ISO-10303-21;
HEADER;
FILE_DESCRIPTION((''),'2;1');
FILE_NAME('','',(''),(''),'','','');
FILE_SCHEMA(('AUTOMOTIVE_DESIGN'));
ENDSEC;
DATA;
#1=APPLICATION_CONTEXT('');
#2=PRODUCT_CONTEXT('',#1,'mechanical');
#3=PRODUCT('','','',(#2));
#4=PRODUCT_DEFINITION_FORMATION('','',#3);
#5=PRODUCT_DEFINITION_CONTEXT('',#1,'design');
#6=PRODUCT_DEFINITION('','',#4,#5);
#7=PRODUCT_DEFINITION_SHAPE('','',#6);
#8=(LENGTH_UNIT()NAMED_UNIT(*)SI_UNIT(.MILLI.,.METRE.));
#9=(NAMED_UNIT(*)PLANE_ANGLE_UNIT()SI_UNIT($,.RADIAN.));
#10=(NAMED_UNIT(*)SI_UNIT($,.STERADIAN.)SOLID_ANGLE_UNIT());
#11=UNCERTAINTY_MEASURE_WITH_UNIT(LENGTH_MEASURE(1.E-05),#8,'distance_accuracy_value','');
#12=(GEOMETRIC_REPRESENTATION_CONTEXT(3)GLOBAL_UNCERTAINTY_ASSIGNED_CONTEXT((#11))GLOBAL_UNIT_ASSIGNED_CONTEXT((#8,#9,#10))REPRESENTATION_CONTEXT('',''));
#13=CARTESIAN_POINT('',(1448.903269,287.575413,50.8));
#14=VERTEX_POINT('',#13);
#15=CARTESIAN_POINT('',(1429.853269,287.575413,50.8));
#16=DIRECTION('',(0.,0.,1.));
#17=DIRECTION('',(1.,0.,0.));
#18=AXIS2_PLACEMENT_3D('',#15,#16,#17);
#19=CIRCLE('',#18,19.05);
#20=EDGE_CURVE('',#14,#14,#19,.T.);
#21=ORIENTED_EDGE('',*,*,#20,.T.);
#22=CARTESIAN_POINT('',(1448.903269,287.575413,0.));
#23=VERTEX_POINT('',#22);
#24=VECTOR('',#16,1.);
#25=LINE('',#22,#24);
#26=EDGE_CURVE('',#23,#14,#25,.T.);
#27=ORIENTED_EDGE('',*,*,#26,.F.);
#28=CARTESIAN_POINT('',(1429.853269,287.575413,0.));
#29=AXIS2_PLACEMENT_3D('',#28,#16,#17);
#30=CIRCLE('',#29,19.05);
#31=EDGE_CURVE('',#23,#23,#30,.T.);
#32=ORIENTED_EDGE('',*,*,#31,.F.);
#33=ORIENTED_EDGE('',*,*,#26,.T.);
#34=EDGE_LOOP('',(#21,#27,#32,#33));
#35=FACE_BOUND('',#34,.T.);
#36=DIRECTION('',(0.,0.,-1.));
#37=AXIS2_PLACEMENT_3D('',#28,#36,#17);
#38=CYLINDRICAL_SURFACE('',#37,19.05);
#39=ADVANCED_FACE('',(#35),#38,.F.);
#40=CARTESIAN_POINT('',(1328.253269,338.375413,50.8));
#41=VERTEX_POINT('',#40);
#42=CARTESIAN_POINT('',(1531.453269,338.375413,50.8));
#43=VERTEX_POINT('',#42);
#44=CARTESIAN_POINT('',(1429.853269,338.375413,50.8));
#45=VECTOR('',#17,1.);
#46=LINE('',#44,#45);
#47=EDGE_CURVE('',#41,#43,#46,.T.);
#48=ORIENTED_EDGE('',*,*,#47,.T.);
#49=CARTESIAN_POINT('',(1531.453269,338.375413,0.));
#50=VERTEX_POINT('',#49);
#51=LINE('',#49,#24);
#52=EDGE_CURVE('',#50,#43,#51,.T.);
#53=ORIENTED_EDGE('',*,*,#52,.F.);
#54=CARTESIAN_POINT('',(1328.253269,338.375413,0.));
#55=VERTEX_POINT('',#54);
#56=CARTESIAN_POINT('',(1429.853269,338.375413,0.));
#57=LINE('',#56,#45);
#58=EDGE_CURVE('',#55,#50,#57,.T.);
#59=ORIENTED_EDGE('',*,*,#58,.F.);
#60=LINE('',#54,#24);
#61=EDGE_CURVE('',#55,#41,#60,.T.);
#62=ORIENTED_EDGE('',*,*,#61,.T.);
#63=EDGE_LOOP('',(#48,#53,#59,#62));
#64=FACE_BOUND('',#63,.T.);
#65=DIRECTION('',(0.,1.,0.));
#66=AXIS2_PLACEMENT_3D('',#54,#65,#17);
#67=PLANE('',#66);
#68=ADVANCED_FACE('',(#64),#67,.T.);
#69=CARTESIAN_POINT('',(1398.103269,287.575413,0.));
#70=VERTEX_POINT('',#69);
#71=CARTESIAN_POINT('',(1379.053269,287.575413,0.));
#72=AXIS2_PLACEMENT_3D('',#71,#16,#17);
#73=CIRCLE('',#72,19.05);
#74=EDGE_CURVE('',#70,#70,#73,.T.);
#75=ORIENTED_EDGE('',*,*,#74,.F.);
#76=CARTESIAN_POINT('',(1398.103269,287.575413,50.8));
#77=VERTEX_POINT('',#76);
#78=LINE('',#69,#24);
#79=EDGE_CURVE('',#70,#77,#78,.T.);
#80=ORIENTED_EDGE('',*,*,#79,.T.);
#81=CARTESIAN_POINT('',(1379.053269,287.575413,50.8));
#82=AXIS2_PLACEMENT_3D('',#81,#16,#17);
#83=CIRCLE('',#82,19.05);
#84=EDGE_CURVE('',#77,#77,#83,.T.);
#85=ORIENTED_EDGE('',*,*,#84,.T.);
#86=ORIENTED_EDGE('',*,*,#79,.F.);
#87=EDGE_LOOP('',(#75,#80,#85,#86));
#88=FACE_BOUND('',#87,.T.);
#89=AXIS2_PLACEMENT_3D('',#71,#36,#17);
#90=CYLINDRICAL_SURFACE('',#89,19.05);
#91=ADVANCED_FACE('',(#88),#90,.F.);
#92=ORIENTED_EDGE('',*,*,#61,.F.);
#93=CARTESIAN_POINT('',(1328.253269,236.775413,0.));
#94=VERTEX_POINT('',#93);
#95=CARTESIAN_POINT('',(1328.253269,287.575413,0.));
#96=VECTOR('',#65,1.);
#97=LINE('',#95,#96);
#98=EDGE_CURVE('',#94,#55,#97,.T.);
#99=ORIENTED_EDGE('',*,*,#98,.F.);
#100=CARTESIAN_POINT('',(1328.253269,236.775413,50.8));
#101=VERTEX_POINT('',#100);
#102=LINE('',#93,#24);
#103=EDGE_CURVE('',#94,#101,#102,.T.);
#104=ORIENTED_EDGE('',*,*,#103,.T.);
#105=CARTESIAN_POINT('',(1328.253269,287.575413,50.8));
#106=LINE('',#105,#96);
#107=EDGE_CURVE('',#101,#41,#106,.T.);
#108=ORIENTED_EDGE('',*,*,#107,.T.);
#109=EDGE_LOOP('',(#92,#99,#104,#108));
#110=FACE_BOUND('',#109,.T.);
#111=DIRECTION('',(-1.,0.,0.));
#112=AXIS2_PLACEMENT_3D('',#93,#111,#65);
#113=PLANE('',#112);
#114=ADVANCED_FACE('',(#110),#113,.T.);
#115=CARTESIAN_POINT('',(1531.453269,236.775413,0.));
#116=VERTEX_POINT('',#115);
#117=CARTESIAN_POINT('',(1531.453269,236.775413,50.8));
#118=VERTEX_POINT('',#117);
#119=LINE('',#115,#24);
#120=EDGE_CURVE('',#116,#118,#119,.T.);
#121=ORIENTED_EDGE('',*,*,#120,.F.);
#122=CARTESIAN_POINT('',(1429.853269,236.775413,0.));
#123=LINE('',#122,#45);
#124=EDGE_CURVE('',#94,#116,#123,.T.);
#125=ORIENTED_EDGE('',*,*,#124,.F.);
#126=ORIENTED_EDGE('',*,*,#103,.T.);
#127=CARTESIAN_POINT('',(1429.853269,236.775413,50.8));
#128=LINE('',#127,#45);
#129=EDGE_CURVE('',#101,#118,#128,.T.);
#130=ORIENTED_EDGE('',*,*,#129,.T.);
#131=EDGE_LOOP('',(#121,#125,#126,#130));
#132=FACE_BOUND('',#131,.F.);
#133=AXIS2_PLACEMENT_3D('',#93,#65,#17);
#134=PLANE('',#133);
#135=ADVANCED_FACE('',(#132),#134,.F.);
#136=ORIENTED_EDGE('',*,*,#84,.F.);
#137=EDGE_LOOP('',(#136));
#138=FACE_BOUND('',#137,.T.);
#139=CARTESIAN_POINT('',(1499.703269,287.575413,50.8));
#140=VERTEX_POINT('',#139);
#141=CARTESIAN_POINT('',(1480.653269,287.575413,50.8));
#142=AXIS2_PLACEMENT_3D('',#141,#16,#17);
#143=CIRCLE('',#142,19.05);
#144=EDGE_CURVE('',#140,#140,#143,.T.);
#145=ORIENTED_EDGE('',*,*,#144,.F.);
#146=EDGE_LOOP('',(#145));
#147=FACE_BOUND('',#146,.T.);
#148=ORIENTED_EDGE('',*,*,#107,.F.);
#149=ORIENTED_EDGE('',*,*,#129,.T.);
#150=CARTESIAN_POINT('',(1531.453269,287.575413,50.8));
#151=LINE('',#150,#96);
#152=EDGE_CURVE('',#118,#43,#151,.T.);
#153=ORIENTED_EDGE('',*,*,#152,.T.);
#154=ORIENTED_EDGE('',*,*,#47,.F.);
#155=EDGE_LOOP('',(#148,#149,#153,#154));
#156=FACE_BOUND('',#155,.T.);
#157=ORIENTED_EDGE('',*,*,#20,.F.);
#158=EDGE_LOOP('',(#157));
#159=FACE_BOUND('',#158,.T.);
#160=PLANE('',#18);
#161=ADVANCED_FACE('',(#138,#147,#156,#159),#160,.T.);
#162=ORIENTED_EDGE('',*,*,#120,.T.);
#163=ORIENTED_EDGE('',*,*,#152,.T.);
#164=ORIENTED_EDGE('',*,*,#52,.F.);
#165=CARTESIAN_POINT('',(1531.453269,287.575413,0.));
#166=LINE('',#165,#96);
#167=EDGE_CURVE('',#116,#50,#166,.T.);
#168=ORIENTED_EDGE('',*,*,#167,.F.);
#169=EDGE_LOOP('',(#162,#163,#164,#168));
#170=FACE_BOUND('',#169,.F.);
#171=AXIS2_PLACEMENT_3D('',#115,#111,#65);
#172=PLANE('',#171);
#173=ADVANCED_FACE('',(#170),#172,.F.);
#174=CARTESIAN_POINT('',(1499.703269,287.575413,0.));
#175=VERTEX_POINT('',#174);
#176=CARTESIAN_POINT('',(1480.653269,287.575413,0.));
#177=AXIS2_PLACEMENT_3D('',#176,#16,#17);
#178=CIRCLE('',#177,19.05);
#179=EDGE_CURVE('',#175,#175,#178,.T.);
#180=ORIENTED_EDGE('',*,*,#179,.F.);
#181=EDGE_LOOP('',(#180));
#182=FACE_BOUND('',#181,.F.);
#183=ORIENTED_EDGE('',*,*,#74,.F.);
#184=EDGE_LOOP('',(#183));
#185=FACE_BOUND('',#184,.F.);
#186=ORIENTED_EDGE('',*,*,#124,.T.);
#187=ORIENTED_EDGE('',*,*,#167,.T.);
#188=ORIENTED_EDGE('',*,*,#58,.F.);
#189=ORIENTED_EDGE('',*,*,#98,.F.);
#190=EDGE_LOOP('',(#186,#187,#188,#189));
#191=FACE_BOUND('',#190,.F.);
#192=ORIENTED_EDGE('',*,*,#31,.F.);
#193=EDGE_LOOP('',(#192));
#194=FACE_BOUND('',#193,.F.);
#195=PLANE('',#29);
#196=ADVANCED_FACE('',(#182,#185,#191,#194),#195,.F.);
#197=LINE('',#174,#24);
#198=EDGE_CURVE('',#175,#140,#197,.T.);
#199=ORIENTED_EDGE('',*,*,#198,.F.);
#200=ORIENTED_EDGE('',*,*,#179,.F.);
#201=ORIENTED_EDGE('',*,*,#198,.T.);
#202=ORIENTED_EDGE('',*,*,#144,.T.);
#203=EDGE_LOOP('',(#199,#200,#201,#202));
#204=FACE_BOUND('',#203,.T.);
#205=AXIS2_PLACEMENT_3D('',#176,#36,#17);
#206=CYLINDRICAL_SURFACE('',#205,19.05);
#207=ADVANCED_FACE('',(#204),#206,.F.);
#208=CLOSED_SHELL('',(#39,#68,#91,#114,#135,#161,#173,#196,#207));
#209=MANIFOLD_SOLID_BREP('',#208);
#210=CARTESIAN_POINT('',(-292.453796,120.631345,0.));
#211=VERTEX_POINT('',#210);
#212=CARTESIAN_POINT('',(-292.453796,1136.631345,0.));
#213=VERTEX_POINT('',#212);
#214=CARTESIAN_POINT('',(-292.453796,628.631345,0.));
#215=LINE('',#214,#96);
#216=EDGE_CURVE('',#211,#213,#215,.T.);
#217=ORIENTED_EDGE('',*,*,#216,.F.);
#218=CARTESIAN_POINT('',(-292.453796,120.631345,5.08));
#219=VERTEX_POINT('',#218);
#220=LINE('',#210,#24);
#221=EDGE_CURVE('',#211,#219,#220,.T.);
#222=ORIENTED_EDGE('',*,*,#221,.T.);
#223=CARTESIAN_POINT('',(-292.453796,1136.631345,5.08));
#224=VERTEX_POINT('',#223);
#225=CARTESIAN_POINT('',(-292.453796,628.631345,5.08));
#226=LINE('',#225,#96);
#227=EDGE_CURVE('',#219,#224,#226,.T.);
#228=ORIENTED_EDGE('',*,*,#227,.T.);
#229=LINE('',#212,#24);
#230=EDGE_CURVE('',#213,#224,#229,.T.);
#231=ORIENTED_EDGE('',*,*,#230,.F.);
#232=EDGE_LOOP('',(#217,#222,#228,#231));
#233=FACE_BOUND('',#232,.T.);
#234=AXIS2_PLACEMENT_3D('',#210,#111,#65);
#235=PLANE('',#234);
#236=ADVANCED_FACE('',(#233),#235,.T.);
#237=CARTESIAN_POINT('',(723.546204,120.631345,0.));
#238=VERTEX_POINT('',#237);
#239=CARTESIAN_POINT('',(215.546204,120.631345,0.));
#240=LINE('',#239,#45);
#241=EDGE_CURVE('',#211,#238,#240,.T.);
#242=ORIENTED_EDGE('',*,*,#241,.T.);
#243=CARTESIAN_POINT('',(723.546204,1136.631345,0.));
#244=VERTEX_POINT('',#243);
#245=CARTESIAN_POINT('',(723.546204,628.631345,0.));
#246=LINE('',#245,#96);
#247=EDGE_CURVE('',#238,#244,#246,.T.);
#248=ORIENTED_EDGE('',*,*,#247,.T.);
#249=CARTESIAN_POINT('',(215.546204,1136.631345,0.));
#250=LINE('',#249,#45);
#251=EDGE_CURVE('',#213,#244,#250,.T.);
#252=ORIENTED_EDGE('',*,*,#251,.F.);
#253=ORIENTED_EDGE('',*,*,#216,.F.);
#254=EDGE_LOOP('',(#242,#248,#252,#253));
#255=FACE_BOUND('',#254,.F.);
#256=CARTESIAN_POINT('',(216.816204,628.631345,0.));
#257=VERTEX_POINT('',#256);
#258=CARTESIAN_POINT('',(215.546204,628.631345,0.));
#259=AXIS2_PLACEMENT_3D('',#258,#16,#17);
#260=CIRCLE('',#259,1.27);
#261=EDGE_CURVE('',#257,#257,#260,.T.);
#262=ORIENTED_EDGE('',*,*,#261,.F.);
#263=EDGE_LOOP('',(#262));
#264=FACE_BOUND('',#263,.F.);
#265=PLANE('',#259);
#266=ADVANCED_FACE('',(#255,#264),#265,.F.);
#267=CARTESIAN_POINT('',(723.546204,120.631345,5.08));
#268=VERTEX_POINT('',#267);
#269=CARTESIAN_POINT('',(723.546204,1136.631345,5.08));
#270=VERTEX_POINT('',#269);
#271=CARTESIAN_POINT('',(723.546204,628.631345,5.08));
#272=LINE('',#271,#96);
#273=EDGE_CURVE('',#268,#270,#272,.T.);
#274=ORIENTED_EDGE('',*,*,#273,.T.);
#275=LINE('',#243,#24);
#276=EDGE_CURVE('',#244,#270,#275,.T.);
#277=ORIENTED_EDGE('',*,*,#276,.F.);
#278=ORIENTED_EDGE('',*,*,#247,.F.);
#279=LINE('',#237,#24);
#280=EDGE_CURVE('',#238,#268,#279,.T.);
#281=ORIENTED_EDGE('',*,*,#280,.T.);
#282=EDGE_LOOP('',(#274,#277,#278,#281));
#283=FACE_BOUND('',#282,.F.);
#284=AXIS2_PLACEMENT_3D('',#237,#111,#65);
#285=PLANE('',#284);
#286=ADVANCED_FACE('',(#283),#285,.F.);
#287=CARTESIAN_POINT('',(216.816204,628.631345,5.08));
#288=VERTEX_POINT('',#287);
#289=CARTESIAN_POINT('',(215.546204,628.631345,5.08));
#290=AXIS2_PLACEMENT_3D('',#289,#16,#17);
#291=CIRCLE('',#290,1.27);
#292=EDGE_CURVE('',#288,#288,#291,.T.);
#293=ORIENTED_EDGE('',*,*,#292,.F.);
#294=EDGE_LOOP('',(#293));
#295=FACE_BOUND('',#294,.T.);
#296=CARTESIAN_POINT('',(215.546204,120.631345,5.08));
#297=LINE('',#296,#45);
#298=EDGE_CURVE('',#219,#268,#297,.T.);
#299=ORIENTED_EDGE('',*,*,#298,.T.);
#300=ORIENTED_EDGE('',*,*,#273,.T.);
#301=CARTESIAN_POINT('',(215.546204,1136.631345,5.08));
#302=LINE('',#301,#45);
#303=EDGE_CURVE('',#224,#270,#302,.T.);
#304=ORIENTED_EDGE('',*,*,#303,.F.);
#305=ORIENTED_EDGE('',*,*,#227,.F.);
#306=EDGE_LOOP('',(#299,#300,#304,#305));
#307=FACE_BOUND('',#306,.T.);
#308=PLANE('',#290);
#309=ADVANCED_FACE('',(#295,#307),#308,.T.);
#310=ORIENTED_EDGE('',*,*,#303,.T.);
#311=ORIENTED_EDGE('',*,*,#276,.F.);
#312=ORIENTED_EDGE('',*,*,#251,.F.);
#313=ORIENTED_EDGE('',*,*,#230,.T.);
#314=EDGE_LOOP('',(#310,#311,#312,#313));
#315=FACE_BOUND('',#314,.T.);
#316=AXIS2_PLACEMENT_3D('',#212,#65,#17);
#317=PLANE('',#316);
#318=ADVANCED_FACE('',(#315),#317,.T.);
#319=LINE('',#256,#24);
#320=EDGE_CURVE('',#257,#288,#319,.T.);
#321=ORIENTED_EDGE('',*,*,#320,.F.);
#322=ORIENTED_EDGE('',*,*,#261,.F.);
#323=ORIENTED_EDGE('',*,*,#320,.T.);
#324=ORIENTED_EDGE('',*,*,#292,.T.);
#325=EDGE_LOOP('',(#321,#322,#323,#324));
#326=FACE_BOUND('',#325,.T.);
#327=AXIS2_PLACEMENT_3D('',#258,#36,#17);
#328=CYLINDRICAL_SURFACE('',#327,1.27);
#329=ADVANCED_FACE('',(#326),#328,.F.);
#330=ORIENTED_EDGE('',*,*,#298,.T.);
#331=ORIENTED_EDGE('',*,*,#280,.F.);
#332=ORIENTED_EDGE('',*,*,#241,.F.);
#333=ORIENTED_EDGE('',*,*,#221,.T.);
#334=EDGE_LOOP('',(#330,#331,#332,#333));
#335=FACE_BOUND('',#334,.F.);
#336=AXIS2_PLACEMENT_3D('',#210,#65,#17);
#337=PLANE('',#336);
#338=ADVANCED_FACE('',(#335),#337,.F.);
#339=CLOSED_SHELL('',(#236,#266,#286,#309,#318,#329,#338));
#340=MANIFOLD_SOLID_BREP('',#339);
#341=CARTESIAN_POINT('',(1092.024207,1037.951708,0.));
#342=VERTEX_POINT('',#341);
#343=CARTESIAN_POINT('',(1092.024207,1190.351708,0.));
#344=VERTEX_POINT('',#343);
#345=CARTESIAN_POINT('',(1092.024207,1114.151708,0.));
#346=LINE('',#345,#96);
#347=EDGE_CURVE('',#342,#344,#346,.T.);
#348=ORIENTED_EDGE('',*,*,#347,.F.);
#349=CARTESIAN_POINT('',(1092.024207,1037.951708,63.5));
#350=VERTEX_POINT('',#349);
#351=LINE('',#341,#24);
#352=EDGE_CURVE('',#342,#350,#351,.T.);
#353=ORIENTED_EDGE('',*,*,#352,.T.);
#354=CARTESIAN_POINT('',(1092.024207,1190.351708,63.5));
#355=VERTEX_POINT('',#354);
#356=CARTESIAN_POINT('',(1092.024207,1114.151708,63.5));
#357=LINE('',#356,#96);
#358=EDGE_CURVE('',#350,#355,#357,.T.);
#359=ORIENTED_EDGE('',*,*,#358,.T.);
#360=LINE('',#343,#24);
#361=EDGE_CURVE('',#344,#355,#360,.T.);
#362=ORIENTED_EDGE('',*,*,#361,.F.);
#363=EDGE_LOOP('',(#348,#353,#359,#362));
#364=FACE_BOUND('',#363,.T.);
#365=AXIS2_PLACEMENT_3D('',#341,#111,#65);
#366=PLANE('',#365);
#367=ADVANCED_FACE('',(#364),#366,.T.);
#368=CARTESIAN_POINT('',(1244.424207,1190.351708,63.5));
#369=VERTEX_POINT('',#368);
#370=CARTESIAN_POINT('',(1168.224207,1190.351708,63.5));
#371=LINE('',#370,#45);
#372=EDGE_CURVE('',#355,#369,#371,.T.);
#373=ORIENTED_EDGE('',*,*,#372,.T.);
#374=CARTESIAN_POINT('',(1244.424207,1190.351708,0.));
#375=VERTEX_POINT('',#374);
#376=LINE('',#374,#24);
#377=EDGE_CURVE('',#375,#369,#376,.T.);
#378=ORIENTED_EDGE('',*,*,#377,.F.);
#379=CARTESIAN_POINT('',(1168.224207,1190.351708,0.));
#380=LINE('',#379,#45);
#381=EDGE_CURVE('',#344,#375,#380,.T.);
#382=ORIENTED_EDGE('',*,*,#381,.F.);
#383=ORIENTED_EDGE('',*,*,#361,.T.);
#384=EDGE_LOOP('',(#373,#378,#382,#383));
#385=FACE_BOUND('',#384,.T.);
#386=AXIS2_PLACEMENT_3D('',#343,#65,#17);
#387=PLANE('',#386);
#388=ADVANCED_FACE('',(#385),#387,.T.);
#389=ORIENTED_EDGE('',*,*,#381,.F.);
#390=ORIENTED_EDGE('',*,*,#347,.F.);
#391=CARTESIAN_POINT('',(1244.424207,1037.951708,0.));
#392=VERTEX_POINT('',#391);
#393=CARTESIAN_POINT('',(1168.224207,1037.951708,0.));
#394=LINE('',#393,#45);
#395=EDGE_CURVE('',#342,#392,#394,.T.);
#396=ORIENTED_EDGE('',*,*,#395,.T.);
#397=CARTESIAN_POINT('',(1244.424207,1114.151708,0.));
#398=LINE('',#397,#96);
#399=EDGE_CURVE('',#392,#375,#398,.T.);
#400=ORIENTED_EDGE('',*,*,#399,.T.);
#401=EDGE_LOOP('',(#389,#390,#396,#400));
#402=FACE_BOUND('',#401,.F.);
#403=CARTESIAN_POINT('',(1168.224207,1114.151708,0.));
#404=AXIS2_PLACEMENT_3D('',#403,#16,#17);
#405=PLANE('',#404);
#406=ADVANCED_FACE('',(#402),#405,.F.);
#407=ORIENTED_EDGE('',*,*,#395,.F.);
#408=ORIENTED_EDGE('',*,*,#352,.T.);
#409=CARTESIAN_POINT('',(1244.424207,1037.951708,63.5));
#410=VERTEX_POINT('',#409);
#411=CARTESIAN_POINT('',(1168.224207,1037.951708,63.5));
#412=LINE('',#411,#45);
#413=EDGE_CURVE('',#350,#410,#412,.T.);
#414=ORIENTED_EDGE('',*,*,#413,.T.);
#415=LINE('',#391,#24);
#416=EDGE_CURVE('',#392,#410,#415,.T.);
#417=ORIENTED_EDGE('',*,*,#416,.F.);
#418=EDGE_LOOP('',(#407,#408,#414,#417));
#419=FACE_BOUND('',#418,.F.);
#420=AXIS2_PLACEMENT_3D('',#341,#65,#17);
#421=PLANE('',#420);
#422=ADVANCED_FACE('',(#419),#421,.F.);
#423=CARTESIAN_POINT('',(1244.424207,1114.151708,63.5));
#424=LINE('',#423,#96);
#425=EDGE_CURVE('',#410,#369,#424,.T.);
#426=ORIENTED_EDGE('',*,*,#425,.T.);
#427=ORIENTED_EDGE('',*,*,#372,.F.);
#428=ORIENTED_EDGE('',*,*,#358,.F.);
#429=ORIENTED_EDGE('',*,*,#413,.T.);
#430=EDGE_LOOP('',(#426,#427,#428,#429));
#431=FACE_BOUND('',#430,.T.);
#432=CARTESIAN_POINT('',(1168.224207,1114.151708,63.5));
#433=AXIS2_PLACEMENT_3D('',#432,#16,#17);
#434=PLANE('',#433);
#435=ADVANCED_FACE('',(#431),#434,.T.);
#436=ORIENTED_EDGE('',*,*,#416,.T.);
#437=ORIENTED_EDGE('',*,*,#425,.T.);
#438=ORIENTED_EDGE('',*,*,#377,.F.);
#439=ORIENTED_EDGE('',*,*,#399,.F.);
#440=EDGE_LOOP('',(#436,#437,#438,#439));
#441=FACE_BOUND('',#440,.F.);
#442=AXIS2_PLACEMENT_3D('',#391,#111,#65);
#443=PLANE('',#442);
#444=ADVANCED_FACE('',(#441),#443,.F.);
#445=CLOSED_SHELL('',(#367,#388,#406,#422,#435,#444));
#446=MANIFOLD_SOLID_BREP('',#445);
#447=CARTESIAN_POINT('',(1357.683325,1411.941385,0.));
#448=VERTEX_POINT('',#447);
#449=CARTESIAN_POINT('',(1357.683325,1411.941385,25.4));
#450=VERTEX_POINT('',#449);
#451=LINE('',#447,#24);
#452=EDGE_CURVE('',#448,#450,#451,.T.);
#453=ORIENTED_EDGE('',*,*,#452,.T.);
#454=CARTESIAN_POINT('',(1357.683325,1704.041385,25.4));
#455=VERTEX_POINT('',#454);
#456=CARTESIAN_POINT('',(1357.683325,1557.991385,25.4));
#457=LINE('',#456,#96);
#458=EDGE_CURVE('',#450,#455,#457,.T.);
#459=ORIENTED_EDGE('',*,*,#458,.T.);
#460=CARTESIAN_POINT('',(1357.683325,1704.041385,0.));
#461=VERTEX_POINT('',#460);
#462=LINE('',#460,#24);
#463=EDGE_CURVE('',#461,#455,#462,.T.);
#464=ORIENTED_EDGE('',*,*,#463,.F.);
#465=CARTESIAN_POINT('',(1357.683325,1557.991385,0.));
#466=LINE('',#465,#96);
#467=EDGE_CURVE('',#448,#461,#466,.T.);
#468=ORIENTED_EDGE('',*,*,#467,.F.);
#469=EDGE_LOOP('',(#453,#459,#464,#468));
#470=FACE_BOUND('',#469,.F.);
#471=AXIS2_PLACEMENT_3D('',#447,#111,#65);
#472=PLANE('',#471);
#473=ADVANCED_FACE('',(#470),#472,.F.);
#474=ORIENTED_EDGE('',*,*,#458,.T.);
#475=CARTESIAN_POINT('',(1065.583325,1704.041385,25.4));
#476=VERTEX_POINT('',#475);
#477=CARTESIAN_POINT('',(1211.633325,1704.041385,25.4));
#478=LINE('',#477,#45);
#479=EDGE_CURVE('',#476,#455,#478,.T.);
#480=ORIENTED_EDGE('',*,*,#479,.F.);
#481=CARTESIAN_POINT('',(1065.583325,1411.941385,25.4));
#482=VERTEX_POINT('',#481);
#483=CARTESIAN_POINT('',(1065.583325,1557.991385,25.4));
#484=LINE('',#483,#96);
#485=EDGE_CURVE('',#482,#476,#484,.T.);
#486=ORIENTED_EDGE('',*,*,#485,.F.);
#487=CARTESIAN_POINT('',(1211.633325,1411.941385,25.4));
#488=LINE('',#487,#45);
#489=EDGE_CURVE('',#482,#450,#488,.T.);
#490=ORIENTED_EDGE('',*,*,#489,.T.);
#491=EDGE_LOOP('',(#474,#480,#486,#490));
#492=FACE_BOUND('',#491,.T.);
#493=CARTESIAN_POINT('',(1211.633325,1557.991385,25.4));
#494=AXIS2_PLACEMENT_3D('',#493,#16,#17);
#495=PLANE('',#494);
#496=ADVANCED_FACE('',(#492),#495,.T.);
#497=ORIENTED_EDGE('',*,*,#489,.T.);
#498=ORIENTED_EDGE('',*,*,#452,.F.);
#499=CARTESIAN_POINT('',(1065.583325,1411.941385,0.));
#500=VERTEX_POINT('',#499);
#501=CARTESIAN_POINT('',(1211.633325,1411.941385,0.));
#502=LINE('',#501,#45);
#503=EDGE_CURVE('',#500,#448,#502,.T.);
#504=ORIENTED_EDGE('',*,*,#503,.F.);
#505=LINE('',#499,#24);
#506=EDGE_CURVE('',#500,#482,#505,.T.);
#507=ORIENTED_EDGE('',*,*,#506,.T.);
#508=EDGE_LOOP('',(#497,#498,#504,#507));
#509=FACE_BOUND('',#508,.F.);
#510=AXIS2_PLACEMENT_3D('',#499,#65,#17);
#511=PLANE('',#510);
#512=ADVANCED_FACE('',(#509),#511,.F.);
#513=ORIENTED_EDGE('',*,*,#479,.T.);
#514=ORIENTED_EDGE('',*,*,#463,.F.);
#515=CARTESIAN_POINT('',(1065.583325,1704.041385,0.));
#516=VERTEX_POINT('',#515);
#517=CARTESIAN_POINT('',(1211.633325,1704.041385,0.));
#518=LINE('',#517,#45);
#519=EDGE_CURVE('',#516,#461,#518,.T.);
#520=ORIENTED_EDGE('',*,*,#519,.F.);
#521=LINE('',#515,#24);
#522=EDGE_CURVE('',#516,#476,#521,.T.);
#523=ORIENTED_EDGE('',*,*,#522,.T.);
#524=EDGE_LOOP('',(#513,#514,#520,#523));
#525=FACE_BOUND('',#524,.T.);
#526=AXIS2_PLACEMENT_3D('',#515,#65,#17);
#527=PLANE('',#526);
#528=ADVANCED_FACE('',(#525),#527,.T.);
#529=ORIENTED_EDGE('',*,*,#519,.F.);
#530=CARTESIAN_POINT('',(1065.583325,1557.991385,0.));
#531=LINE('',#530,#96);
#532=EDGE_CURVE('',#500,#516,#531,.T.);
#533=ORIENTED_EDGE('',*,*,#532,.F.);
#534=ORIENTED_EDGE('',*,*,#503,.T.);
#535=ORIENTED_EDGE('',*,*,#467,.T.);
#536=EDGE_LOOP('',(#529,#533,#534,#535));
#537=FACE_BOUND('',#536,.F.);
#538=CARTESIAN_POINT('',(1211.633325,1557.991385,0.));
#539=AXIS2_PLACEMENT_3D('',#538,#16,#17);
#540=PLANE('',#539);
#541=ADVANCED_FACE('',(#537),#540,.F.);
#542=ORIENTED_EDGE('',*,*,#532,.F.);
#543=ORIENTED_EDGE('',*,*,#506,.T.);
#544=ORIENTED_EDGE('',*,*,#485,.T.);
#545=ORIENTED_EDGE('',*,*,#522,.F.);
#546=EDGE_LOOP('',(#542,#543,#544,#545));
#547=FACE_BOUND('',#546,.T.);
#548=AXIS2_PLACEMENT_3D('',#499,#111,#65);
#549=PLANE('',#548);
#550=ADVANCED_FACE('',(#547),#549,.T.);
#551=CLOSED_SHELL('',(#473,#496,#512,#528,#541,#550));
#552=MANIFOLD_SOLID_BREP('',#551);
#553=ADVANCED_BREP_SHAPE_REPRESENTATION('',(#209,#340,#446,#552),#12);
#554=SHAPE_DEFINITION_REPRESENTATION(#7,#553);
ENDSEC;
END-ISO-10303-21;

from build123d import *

# Parameters (mm, degrees)
F0_W     = 292.1
F0_H     = 292.1
F1_DEPTH = 25.4
F0_W_2   = 152.4
F0_H_2   = 152.4
F2_DEPTH = 63.5
F0_W_3   = 1016
F0_H_3   = 1016
F0_R     = 1.27
F3_DEPTH = 5.08
F4_W     = 203.2
F4_H     = 101.6
F4_R     = 19.05
F5_DEPTH = 50.8


with BuildPart() as f1:
    # F0 (on Top) → F1 (new body)
    with BuildSketch(Plane.XY):
        with Locations((1211.633325, 1557.991385)):
            Rectangle(F0_W, F0_H)
    extrude(amount=F1_DEPTH)


with BuildPart() as f2:
    # F0 (on Top) → F2 (new body)
    with BuildSketch(Plane.XY):
        with Locations((1168.224207, 1114.151708)):
            Rectangle(F0_W_2, F0_H_2)
    extrude(amount=F2_DEPTH)


with BuildPart() as f3:
    # F0 (on Top) → F3 (new body)
    with BuildSketch(Plane.XY):
        with Locations((215.546204, 628.631345)):
            Rectangle(F0_W_3, F0_H_3)
        with Locations((215.546204, 628.631345)):
            Circle(F0_R, mode=Mode.SUBTRACT)
    extrude(amount=F3_DEPTH)


with BuildPart() as f5:
    # F4 (on Top) → F5 (new body)
    with BuildSketch(Plane.XY):
        with Locations((1429.853269, 287.575413)):
            Rectangle(F4_W, F4_H)
        with Locations((1379.053269, 287.575413)):
            Circle(F4_R, mode=Mode.SUBTRACT)
        with Locations((1429.853269, 287.575413)):
            Circle(F4_R, mode=Mode.SUBTRACT)
        with Locations((1480.653269, 287.575413)):
            Circle(F4_R, mode=Mode.SUBTRACT)
    extrude(amount=F5_DEPTH)


solid = Compound([f1.part, f2.part, f3.part, f5.part])
